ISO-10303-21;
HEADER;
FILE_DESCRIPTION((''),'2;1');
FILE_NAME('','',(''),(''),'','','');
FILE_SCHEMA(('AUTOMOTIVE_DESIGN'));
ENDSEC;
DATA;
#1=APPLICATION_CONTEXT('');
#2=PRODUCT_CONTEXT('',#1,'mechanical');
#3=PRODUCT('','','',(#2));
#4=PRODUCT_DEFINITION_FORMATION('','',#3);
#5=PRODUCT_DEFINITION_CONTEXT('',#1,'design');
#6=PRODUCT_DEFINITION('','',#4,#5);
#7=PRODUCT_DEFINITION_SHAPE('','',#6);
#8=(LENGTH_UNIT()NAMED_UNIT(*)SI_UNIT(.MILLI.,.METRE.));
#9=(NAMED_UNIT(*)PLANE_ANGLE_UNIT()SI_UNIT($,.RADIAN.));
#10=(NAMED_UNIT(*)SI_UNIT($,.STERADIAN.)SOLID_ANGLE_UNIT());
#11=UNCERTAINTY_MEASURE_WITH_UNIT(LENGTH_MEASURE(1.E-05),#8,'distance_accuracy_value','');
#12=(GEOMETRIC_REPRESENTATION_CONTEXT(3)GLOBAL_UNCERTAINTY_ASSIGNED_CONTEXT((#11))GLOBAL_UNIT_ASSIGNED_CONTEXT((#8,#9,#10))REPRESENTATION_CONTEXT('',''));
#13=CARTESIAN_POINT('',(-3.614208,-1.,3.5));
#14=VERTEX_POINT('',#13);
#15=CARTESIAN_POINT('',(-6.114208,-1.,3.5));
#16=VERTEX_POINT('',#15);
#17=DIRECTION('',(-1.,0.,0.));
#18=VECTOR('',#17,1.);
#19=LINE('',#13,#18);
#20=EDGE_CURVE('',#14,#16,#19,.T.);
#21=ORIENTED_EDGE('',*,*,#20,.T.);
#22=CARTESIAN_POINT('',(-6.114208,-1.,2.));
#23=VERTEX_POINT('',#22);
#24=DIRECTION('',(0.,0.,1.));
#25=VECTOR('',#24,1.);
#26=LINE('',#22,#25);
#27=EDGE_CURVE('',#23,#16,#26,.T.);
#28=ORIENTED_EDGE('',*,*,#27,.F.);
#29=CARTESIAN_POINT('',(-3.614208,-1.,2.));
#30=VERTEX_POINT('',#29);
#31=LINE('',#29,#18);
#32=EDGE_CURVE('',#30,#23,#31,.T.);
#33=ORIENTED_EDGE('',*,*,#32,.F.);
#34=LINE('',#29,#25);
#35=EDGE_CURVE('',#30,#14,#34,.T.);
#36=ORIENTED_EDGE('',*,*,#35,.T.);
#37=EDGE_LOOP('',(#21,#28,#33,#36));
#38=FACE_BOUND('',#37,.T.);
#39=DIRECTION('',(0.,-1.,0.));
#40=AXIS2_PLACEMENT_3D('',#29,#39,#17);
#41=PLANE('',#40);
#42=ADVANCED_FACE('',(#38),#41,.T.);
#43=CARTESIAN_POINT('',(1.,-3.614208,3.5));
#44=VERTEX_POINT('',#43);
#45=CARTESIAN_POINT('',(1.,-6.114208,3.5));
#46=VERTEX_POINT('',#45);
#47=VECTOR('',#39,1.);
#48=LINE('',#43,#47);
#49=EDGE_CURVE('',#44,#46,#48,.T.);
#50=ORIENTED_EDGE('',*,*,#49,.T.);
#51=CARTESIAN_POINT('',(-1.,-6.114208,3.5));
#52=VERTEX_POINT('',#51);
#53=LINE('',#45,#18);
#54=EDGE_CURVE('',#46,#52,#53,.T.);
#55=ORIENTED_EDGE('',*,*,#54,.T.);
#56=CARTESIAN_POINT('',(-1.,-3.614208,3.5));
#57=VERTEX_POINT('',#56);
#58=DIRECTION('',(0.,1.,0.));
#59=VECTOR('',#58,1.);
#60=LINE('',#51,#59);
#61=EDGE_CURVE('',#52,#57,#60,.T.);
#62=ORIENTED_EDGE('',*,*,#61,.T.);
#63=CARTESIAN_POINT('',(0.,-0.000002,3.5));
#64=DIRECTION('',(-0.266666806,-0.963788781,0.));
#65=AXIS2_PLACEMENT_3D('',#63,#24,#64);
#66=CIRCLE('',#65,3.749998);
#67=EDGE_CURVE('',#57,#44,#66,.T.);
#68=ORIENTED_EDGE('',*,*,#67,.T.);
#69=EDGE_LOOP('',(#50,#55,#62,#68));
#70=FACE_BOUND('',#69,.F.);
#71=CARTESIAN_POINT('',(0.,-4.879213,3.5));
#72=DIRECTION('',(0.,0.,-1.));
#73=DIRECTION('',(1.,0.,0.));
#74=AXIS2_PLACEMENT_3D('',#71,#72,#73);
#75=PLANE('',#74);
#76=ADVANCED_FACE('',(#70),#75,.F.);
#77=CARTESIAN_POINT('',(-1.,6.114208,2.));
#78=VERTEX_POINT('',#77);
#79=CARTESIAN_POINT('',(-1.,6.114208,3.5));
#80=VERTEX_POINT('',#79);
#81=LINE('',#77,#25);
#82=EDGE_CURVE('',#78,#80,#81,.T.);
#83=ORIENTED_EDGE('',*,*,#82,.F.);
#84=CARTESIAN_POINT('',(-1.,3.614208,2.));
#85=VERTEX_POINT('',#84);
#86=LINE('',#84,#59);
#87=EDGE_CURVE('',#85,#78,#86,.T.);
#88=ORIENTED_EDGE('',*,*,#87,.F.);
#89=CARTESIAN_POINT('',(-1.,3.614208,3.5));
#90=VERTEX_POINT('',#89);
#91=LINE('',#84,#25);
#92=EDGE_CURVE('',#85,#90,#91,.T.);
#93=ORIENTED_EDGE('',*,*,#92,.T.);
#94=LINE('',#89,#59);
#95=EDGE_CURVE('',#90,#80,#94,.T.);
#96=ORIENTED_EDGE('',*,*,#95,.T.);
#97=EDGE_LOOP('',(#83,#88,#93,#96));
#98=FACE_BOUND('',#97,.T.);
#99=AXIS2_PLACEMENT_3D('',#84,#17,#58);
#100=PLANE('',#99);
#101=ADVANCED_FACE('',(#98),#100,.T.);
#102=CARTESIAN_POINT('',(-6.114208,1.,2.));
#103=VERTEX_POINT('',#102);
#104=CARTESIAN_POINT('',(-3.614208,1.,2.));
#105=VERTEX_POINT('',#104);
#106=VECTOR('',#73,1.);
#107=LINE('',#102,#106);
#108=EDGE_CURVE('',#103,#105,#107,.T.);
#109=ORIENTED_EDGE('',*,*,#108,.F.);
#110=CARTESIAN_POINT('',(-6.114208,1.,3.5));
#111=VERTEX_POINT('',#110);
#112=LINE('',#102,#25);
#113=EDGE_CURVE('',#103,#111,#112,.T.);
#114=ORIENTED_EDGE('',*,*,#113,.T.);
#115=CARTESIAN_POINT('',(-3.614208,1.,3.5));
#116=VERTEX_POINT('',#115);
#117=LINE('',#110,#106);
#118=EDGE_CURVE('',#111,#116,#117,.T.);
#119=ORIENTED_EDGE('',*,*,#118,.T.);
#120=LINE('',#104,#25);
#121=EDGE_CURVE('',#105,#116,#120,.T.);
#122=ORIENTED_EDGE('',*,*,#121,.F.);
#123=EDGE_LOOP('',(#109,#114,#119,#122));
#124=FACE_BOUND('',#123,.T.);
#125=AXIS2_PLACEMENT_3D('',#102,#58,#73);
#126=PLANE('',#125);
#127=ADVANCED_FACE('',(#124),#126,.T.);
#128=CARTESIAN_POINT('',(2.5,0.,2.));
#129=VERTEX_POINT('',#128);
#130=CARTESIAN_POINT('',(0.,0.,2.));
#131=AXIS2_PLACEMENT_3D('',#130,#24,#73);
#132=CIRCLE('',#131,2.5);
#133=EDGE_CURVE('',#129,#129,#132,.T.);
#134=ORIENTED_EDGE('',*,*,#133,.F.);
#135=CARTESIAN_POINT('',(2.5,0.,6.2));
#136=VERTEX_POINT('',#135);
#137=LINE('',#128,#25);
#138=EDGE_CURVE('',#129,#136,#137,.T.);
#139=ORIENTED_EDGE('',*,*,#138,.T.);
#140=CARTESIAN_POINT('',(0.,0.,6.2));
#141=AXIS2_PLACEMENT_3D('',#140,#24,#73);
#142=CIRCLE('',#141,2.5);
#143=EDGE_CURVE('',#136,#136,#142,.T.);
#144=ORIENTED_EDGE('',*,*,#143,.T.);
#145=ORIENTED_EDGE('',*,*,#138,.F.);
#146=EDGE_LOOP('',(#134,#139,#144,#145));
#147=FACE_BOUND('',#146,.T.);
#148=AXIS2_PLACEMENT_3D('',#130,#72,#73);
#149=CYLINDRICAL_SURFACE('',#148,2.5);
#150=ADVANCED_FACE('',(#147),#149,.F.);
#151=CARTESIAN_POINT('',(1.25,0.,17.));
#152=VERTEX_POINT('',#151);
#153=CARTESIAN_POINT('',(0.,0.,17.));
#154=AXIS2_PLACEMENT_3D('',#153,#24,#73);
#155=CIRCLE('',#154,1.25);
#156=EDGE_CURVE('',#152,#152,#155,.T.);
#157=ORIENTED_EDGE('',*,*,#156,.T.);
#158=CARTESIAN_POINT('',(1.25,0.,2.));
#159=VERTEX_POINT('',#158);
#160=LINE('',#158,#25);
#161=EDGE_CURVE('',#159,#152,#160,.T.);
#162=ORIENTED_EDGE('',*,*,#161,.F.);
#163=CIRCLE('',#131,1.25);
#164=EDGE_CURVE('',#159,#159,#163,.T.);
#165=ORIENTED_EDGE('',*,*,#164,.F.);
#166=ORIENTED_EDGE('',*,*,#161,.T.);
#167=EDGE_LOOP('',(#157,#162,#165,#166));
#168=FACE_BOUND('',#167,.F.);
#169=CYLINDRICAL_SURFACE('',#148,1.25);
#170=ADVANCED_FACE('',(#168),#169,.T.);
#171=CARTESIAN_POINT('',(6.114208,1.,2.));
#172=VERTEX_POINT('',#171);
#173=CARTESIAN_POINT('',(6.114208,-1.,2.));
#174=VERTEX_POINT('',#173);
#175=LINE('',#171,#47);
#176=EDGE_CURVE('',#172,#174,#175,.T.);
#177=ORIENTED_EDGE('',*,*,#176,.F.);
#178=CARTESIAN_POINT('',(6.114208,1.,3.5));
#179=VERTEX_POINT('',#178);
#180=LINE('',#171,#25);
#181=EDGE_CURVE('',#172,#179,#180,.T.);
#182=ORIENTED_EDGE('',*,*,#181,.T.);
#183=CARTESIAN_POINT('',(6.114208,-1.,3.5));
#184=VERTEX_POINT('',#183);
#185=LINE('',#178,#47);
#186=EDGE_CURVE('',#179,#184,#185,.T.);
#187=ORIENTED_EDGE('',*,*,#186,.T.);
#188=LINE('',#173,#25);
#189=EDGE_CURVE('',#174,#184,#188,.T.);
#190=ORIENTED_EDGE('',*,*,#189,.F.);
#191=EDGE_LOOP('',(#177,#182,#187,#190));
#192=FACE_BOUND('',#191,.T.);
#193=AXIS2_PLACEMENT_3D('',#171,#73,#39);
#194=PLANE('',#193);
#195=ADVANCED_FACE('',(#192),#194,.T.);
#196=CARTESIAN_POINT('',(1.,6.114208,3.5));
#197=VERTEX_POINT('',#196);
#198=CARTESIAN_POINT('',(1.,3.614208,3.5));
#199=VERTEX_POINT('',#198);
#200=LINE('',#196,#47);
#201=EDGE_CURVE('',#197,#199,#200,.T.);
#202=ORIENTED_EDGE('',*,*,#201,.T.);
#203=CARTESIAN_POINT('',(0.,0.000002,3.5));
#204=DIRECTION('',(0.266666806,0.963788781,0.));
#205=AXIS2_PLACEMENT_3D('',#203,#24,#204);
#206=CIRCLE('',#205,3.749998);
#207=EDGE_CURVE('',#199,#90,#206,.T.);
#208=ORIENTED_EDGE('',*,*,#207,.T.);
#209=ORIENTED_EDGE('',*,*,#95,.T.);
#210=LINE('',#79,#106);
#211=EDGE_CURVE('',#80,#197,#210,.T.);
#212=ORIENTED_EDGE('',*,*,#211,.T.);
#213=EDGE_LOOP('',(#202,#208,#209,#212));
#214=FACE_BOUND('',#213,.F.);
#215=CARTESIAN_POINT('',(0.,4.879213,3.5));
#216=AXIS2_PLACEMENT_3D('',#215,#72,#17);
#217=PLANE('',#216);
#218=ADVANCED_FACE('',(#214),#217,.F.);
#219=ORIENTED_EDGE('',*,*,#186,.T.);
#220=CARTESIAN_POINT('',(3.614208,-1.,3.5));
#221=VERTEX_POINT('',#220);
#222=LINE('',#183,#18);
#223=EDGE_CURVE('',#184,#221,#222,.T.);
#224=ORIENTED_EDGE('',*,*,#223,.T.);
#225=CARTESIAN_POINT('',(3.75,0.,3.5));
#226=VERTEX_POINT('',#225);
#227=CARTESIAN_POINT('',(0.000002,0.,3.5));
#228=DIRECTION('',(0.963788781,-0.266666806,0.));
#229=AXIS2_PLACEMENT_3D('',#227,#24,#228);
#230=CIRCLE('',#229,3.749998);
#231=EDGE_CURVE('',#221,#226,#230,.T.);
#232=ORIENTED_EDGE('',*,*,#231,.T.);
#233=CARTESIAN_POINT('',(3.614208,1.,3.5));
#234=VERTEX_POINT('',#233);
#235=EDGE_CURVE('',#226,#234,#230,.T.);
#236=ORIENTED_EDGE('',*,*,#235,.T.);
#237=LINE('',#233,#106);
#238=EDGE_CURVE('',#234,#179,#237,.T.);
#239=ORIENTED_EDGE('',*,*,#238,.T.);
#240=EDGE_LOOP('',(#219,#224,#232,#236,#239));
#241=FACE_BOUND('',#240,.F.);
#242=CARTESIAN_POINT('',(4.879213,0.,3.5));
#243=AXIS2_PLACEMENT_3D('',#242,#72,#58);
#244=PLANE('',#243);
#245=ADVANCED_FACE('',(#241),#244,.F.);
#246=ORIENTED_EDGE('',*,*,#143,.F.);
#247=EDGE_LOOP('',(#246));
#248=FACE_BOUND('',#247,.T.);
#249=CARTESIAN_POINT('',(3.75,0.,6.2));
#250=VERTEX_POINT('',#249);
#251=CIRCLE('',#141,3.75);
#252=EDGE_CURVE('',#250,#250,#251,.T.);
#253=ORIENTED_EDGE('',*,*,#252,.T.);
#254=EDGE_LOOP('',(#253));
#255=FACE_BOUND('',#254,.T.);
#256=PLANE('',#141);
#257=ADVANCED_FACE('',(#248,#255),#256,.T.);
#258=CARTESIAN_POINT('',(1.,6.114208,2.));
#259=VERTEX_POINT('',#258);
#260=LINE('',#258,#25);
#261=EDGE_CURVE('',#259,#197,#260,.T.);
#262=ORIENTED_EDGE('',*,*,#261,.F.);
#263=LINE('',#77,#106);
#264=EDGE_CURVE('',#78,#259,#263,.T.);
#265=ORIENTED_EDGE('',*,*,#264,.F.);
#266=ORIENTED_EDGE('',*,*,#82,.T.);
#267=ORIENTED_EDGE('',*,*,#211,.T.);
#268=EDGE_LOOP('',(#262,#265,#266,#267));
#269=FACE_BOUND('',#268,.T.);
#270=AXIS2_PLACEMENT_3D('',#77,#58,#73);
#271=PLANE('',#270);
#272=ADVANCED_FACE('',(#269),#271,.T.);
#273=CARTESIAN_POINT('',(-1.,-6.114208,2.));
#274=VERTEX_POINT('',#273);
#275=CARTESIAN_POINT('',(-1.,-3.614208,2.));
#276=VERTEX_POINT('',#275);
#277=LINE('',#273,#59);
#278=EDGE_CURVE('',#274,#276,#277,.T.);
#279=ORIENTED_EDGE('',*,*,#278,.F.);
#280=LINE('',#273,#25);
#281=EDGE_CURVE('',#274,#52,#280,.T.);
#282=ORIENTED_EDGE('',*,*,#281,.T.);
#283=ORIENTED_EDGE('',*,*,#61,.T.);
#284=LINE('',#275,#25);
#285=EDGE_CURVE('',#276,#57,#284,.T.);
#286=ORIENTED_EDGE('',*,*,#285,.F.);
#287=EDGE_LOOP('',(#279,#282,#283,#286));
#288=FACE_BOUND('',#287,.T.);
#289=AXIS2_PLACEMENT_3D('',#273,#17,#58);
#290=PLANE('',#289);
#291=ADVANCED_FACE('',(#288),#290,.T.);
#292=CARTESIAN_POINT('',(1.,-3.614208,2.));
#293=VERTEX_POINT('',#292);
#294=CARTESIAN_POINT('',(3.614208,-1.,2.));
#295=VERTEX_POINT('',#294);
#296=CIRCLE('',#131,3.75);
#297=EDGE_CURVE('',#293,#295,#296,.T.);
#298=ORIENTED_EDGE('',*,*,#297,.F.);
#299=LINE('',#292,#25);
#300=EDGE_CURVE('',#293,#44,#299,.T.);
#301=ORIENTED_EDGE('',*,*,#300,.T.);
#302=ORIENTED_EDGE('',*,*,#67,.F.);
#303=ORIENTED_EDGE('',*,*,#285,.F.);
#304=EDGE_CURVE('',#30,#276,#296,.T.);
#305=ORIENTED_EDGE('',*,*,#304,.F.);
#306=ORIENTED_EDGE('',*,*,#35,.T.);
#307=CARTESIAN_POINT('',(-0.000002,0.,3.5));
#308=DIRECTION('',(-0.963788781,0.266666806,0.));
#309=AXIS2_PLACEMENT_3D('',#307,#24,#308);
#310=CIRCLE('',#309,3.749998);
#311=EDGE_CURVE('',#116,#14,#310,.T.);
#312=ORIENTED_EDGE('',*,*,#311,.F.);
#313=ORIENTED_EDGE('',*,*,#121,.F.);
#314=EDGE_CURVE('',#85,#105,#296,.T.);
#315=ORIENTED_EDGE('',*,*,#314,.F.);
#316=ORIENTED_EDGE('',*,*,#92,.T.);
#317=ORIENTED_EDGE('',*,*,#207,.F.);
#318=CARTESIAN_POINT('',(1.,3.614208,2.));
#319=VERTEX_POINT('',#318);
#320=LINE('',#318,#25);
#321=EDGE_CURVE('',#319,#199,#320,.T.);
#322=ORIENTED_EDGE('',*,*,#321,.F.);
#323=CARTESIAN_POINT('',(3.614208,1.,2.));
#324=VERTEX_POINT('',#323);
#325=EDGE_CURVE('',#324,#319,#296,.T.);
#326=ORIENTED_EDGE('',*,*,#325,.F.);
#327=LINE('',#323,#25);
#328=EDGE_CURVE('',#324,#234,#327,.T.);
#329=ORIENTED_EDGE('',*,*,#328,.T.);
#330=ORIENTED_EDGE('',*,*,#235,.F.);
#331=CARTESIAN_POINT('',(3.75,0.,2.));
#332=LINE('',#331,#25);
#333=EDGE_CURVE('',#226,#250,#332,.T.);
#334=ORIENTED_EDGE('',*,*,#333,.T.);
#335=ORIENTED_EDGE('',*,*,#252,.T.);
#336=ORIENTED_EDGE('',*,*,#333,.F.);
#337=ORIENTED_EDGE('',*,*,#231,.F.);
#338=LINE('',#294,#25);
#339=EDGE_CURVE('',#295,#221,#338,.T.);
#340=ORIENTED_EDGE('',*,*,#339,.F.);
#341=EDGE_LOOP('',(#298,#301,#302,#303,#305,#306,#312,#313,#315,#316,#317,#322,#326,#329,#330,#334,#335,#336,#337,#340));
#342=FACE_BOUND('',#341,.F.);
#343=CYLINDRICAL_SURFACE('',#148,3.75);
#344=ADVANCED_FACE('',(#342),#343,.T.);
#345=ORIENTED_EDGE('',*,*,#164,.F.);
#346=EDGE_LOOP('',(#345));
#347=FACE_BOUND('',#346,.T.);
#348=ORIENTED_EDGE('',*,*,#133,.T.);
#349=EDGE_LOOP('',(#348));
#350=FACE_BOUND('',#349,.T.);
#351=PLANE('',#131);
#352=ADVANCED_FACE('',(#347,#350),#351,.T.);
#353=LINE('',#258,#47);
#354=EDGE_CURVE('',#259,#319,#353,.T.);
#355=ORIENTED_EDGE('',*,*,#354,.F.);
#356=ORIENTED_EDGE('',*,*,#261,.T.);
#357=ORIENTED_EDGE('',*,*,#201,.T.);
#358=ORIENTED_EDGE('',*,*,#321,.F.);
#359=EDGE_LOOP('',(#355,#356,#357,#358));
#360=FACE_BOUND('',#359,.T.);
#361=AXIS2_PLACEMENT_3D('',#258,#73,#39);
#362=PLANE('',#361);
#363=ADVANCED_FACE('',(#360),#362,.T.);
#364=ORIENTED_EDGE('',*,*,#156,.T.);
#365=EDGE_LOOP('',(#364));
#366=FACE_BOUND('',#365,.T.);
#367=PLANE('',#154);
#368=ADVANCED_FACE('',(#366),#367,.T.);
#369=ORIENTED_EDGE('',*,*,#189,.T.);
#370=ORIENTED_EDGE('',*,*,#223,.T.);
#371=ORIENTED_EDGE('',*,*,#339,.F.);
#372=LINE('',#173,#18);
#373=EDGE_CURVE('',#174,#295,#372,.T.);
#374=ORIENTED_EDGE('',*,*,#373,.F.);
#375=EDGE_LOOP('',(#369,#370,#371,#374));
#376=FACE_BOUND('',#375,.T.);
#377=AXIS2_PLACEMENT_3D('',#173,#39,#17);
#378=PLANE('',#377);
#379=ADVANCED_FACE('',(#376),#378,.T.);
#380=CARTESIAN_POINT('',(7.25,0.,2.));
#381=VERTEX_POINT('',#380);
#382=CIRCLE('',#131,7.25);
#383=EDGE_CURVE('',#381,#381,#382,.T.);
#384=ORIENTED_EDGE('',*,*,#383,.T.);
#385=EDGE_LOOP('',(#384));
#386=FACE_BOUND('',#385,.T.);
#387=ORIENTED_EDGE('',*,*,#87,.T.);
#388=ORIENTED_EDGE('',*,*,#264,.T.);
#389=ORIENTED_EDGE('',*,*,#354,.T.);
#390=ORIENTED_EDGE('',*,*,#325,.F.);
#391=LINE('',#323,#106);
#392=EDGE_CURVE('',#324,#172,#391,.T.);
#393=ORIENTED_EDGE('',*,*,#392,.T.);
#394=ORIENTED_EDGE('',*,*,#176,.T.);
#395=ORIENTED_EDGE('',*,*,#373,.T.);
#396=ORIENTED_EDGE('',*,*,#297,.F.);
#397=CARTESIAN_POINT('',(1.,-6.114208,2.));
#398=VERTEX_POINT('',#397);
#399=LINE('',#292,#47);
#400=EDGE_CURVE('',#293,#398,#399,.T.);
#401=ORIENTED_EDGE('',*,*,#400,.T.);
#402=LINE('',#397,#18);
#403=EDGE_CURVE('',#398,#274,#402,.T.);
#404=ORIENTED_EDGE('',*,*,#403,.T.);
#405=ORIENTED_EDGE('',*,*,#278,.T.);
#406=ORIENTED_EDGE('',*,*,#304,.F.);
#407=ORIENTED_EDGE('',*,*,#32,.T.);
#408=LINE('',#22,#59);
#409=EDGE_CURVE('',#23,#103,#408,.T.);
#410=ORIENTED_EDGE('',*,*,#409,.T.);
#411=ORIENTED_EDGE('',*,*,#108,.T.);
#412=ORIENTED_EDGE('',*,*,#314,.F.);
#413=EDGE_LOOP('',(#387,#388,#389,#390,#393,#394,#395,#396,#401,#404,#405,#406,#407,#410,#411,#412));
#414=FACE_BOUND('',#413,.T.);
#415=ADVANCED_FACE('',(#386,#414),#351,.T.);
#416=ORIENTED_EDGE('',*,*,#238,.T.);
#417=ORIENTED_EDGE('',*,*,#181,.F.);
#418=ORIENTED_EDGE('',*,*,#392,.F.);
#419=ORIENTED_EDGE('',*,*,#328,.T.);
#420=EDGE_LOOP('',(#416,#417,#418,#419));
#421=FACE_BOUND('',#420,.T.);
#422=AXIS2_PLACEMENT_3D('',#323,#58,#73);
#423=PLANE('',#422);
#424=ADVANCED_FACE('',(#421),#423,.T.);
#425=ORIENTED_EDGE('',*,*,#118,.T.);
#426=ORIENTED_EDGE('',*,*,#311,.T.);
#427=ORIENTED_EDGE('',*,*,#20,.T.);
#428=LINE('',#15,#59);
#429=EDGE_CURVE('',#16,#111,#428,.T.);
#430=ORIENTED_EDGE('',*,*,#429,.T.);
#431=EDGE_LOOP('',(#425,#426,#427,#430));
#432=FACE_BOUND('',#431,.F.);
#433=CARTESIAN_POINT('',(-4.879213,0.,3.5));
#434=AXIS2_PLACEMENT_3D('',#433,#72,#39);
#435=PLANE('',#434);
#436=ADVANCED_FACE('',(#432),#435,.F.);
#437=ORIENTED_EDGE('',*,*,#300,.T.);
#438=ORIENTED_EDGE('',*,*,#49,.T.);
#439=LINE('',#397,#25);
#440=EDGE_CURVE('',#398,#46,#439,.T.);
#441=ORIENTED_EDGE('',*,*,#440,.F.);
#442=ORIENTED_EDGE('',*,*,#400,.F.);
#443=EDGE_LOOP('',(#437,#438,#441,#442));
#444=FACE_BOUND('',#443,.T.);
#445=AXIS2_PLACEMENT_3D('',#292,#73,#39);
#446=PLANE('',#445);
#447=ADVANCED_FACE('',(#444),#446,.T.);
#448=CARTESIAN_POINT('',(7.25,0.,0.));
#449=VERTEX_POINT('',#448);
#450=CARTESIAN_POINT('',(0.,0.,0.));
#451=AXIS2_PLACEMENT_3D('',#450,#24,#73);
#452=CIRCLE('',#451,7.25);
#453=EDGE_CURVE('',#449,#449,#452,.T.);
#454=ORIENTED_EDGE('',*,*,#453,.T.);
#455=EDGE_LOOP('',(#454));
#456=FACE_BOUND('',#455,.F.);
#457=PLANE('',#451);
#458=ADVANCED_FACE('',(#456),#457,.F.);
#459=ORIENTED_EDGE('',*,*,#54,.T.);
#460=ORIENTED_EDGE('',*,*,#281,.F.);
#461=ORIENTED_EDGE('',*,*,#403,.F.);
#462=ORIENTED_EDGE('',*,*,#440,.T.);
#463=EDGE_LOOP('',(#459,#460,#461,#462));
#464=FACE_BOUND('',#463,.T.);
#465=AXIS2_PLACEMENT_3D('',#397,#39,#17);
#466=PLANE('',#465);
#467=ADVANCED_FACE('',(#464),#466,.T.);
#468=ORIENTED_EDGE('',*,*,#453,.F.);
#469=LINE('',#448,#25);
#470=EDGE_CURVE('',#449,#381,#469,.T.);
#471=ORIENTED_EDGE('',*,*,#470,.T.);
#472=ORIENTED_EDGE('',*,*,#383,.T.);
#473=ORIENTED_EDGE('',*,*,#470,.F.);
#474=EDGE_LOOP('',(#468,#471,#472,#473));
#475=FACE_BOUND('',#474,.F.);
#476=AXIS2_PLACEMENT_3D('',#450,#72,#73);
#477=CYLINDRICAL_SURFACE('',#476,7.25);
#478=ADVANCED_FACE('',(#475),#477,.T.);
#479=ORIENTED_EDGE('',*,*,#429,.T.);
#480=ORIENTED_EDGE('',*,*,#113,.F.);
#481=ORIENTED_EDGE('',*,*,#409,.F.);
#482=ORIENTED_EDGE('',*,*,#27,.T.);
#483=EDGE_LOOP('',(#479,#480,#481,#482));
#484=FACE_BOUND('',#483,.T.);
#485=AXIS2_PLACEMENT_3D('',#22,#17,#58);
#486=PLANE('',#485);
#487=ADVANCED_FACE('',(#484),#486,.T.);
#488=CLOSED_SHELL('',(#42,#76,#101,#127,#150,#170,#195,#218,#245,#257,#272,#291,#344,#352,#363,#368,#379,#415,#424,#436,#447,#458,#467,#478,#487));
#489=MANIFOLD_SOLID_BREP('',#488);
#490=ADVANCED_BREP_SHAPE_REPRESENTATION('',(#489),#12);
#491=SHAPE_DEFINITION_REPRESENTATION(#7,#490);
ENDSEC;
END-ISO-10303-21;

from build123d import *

# Parameters (mm, degrees)
SKETCH_R           = 7.25
PAD_DEPTH          = 2
SKETCH001_R        = 3.75
SKETCH001_R_2      = 2.5
PAD001_DEPTH       = 4.2
SKETCH002_R        = 1.25
PAD002_DEPTH       = 15
PAD003_DEPTH       = 1.5
POLARPATTERN_COUNT = 4


with BuildPart() as part:
    # Sketch → Pad (new body)
    with BuildSketch(Plane.XY):
        Circle(SKETCH_R)
    extrude(amount=PAD_DEPTH)

    # Sketch001 (on Face3 of Pad) → Pad001 (join)
    with BuildSketch(Plane.XY.offset(2)):
        Circle(SKETCH001_R)
        Circle(SKETCH001_R_2, mode=Mode.SUBTRACT)
    extrude(amount=PAD001_DEPTH)

    # Sketch002 (on Face7 of Pad001) → Pad002 (join)
    with BuildSketch(Plane.XY.offset(2)):
        Circle(SKETCH002_R)
    extrude(amount=PAD002_DEPTH)

    # Sketch003 (on Face3 of Pad002) → Pad003 (join)
    with BuildSketch(Plane.XY.offset(2)):
        with BuildLine():
            Line((-1, 3.614208), (-1, 6.114208))
            Line((-1, 6.114208), (1, 6.114208))
            Line((1, 6.114208), (1, 3.614208))
            ThreePointArc((1, 3.614208), (0, 3.75), (-1, 3.614208))
        make_face()
    pad003 = extrude(amount=PAD003_DEPTH)

    # PolarPattern: Pad003 ×4 about axis
    polarpattern_axis = Axis((0, 0, 2), (0, 0, 1))
    for i in range(1, POLARPATTERN_COUNT):
        add(pad003.rotate(polarpattern_axis, i * 360 / POLARPATTERN_COUNT))


solid = part.part
